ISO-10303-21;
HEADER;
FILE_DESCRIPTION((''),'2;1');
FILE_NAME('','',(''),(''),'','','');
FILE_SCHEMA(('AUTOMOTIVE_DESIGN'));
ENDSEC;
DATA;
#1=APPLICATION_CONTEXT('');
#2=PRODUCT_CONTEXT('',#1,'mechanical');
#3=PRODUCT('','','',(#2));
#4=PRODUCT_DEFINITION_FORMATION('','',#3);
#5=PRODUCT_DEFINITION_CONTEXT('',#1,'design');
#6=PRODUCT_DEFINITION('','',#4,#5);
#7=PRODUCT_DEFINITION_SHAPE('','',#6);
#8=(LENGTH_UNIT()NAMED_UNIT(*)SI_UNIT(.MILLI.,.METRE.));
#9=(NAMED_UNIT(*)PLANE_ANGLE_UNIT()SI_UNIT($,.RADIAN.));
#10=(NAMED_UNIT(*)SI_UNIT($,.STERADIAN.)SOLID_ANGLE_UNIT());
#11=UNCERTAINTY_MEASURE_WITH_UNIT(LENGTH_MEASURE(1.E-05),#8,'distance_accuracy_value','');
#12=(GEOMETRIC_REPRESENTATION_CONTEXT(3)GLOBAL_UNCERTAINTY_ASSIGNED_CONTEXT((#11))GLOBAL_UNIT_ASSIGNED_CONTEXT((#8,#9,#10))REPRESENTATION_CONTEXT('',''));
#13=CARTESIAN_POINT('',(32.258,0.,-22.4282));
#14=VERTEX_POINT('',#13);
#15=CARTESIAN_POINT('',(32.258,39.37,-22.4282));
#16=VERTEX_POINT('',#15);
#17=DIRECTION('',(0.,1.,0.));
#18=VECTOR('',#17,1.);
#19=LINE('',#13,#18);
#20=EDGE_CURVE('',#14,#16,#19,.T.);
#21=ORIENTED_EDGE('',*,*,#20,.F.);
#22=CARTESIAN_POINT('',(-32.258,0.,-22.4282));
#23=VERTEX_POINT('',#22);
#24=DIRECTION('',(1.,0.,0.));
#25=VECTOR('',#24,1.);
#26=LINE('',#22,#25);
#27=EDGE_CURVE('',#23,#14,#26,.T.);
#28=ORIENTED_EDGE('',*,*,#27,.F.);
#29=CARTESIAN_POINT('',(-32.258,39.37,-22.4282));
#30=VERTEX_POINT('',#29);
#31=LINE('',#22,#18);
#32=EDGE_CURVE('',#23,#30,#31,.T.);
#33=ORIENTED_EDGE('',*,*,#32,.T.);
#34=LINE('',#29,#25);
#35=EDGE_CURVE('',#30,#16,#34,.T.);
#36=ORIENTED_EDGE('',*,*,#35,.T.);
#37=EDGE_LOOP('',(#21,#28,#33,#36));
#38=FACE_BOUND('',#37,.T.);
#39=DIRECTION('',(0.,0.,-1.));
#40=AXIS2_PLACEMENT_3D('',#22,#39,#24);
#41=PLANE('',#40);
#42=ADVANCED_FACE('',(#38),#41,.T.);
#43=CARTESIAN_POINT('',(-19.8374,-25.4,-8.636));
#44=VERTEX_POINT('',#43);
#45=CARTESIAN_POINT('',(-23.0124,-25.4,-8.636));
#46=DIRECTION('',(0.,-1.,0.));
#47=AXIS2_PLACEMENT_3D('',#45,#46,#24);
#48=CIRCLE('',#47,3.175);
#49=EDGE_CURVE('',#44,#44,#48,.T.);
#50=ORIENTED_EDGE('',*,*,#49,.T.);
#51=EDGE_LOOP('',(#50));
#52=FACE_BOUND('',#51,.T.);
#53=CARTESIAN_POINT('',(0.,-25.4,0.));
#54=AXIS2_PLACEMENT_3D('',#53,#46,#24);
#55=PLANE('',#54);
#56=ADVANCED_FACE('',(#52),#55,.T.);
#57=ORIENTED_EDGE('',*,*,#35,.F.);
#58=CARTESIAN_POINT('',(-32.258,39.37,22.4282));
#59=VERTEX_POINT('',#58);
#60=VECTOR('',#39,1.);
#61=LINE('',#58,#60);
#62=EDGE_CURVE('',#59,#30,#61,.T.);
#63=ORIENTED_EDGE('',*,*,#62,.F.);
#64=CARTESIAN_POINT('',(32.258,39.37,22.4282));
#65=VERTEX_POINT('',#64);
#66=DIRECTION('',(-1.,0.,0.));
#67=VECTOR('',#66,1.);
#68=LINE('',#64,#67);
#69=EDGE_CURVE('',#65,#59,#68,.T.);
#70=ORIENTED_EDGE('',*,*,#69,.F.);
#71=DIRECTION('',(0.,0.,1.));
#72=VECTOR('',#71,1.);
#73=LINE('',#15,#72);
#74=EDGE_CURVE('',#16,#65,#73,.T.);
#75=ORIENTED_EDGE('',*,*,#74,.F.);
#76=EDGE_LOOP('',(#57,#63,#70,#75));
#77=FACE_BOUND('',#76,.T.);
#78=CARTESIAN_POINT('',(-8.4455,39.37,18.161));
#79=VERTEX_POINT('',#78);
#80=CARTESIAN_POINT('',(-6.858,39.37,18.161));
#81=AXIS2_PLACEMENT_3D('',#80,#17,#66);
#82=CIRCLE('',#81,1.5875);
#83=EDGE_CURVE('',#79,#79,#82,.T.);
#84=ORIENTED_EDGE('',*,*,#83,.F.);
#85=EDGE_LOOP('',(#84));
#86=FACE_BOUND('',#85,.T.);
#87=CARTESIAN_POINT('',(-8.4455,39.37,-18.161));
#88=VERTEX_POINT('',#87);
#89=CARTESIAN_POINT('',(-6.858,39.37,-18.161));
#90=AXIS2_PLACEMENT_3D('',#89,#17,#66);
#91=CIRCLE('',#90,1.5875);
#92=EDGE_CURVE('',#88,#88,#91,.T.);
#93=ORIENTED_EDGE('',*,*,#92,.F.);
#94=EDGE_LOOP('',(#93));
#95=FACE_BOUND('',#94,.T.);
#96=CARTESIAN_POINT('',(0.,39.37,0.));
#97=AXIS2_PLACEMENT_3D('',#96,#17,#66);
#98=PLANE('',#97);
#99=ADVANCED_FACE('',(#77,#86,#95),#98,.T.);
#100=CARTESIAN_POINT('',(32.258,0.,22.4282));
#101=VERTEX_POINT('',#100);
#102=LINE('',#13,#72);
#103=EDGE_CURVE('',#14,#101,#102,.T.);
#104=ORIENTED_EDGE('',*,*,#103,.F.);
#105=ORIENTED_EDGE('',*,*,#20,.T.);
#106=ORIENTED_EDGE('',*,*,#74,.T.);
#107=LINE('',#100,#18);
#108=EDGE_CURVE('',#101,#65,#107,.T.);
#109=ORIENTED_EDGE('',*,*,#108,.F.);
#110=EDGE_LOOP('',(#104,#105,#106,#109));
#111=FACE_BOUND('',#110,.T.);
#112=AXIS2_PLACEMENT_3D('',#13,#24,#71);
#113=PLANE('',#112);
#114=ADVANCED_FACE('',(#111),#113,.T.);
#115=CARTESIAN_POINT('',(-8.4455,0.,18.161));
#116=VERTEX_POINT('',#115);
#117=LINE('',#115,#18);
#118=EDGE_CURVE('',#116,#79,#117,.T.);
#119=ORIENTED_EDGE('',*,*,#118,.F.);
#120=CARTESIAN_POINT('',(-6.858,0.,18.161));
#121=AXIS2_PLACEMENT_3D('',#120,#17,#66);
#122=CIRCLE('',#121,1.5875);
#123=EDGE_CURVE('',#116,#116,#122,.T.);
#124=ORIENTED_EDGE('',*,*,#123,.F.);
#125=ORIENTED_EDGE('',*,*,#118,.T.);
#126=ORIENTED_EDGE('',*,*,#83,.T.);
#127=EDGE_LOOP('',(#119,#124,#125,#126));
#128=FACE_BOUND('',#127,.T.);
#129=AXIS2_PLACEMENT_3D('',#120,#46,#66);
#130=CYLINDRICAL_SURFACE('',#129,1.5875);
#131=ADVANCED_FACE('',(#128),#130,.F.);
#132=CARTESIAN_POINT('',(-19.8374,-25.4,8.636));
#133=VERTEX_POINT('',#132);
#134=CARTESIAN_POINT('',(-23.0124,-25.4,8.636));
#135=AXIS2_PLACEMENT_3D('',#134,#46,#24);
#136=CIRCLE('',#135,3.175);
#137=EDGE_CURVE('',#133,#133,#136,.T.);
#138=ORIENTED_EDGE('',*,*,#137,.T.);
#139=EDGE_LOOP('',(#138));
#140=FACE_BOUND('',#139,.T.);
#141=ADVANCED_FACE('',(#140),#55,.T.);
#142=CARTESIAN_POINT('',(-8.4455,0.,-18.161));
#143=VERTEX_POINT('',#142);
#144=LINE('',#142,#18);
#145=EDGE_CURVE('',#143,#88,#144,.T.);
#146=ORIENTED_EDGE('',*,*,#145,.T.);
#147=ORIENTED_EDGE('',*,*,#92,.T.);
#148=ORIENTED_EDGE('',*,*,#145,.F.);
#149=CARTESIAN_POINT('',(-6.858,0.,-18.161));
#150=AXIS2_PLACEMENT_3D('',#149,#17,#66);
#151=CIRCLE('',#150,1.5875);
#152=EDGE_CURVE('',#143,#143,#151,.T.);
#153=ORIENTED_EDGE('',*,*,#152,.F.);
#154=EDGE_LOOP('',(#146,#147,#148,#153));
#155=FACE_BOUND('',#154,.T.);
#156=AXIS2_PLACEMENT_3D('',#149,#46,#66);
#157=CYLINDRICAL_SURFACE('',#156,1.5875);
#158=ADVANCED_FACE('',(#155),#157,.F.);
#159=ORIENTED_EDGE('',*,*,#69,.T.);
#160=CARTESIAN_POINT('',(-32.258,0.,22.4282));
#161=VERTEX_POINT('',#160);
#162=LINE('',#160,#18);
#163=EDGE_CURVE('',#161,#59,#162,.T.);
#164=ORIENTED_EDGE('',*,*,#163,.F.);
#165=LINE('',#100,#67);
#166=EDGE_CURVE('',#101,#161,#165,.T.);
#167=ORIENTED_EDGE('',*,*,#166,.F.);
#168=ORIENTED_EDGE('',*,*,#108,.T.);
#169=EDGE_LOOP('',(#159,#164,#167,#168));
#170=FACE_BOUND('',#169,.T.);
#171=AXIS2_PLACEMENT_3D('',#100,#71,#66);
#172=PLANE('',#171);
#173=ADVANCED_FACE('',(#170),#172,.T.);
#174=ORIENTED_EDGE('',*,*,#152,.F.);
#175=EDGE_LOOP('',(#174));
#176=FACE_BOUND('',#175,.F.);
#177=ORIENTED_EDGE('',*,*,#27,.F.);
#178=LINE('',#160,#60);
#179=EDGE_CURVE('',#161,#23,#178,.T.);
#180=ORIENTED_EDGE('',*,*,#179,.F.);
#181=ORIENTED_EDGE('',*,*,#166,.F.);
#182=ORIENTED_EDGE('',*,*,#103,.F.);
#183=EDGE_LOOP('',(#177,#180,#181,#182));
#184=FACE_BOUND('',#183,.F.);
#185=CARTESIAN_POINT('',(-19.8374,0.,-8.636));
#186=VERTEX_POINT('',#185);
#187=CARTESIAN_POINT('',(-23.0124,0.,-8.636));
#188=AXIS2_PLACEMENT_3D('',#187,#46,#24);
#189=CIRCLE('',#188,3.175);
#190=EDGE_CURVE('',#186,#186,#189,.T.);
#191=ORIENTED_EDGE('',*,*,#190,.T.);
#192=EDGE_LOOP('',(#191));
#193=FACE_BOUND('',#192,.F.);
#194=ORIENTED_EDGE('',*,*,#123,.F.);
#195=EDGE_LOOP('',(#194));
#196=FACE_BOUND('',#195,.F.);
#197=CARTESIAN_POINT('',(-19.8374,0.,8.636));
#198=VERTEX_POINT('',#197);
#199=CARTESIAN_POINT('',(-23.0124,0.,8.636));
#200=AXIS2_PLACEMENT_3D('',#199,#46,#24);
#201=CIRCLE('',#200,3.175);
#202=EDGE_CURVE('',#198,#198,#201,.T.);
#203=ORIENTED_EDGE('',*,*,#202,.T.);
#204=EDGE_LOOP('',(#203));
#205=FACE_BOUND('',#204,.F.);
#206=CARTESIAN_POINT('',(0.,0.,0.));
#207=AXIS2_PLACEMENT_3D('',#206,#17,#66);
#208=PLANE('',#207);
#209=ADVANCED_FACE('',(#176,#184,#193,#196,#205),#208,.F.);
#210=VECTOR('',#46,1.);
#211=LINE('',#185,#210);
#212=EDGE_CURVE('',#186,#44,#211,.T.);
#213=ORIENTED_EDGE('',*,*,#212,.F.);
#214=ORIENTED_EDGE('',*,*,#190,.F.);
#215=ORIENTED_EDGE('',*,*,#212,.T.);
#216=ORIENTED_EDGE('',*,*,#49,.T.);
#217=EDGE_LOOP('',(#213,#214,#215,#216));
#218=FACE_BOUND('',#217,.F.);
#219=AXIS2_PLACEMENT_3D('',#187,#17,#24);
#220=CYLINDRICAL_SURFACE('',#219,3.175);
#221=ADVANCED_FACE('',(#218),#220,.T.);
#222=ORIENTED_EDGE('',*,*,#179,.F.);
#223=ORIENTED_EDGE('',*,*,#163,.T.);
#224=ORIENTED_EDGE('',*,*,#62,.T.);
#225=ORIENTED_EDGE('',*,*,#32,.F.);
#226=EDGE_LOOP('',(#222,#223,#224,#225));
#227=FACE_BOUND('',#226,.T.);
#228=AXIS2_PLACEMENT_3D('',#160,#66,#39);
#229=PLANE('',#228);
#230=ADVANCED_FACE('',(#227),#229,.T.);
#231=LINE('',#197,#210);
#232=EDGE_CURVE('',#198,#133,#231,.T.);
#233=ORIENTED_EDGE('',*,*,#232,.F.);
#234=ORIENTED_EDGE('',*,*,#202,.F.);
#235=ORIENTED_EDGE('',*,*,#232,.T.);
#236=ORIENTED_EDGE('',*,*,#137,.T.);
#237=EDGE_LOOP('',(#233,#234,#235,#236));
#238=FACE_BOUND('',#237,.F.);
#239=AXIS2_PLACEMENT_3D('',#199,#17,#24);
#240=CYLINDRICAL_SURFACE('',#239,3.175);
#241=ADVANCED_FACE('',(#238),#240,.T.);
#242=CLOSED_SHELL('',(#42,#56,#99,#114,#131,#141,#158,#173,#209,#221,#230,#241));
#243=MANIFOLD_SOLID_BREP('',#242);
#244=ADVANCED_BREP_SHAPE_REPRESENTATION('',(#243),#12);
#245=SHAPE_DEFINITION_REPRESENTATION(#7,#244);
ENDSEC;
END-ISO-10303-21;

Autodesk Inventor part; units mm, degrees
ref_plane "YZ Plane" through (0, 0, 0) normal (1, 0, 0) x (0, 1, 0)
ref_plane "XZ Plane" through (0, 0, 0) normal (0, 1, 0) x (-1, 0, 0)
ref_plane "XY Plane" through (0, 0, 0) normal (0, 0, 1) x (1, 0, 0)
sketch "Sketch1" plane through (0, 0, 0) normal (0, 1, 0) x (-1, 0, 0)
  line L0 (32.258, -22.4282) -> (-32.258, -22.4282)
  line L1 (-32.258, -22.4282) -> (-32.258, 22.4282)
  line L2 (-32.258, 22.4282) -> (32.258, 22.4282)
  line L3 (32.258, 22.4282) -> (32.258, -22.4282)
  circle A0 centre (6.858, -18.161) radius 1.5875
  circle A1 centre (6.858, 18.161) radius 1.5875
  line L4 (6.858, -18.161) -> (6.858, 18.161) construction
  point P0 (0, 0)
  point P1 (32.258, 0)
  point P2 (0, -22.4282)
  point P3 (6.858, 0)
  dimension "d0" = 64.516
  dimension "d1" = 44.8564
  dimension "d2" = 3.175
  dimension "d3" = 25.4
  dimension "d4" = 39.116
  dimension "d15" = 36.322
extrude "Extrusion1" add sketch "Sketch1" along normal blind 39.37
sketch "Sketch2" plane through (0, 39.37, 0) normal (0, 1, 0) x (1, 0, 0)
  line L0 (-24.1562, -22.4282) -> (-24.1562, 22.4282) construction
  line L1 (-24.1562, 22.4282) -> (-18.3585, 22.4282) construction
  line L2 (-18.3585, 22.4282) -> (-18.3585, -22.4282) construction
  line L3 (-18.3585, -22.4282) -> (-24.1562, -22.4282) construction
  line L4 (32.258, 22.4282) -> (-32.258, 22.4282) projected
  line L5 (-32.258, -22.4282) -> (32.258, -22.4282) projected
  point P0 (0, 0)
sketch "Sketch4" plane through (0, 0, 0) normal (0, -1, 0) x (1, 0, 0)
  circle A0 centre (-23.0124, -8.636) radius 3.175
  circle A1 centre (-23.0124, 8.636) radius 3.175
  line L0 (-32.258, -22.4282) -> (-32.258, 22.4282) projected
  circle A2 centre (-6.858, -18.161) radius 1.5875 projected
  line L1 (-23.0124, -8.636) -> (-23.0124, 8.636) construction
  point P0 (0, 0)
  point P1 (-23.0124, 0)
  dimension "d11" = 17.272
  dimension "d12" = 9.2456
  dimension "d13" = 6.35
  dimension "d14" = 25.4
extrude "Extrusion2" add sketch "Sketch4" along normal blind 25.4 contours A0 | A1
properties part number "Pump"
